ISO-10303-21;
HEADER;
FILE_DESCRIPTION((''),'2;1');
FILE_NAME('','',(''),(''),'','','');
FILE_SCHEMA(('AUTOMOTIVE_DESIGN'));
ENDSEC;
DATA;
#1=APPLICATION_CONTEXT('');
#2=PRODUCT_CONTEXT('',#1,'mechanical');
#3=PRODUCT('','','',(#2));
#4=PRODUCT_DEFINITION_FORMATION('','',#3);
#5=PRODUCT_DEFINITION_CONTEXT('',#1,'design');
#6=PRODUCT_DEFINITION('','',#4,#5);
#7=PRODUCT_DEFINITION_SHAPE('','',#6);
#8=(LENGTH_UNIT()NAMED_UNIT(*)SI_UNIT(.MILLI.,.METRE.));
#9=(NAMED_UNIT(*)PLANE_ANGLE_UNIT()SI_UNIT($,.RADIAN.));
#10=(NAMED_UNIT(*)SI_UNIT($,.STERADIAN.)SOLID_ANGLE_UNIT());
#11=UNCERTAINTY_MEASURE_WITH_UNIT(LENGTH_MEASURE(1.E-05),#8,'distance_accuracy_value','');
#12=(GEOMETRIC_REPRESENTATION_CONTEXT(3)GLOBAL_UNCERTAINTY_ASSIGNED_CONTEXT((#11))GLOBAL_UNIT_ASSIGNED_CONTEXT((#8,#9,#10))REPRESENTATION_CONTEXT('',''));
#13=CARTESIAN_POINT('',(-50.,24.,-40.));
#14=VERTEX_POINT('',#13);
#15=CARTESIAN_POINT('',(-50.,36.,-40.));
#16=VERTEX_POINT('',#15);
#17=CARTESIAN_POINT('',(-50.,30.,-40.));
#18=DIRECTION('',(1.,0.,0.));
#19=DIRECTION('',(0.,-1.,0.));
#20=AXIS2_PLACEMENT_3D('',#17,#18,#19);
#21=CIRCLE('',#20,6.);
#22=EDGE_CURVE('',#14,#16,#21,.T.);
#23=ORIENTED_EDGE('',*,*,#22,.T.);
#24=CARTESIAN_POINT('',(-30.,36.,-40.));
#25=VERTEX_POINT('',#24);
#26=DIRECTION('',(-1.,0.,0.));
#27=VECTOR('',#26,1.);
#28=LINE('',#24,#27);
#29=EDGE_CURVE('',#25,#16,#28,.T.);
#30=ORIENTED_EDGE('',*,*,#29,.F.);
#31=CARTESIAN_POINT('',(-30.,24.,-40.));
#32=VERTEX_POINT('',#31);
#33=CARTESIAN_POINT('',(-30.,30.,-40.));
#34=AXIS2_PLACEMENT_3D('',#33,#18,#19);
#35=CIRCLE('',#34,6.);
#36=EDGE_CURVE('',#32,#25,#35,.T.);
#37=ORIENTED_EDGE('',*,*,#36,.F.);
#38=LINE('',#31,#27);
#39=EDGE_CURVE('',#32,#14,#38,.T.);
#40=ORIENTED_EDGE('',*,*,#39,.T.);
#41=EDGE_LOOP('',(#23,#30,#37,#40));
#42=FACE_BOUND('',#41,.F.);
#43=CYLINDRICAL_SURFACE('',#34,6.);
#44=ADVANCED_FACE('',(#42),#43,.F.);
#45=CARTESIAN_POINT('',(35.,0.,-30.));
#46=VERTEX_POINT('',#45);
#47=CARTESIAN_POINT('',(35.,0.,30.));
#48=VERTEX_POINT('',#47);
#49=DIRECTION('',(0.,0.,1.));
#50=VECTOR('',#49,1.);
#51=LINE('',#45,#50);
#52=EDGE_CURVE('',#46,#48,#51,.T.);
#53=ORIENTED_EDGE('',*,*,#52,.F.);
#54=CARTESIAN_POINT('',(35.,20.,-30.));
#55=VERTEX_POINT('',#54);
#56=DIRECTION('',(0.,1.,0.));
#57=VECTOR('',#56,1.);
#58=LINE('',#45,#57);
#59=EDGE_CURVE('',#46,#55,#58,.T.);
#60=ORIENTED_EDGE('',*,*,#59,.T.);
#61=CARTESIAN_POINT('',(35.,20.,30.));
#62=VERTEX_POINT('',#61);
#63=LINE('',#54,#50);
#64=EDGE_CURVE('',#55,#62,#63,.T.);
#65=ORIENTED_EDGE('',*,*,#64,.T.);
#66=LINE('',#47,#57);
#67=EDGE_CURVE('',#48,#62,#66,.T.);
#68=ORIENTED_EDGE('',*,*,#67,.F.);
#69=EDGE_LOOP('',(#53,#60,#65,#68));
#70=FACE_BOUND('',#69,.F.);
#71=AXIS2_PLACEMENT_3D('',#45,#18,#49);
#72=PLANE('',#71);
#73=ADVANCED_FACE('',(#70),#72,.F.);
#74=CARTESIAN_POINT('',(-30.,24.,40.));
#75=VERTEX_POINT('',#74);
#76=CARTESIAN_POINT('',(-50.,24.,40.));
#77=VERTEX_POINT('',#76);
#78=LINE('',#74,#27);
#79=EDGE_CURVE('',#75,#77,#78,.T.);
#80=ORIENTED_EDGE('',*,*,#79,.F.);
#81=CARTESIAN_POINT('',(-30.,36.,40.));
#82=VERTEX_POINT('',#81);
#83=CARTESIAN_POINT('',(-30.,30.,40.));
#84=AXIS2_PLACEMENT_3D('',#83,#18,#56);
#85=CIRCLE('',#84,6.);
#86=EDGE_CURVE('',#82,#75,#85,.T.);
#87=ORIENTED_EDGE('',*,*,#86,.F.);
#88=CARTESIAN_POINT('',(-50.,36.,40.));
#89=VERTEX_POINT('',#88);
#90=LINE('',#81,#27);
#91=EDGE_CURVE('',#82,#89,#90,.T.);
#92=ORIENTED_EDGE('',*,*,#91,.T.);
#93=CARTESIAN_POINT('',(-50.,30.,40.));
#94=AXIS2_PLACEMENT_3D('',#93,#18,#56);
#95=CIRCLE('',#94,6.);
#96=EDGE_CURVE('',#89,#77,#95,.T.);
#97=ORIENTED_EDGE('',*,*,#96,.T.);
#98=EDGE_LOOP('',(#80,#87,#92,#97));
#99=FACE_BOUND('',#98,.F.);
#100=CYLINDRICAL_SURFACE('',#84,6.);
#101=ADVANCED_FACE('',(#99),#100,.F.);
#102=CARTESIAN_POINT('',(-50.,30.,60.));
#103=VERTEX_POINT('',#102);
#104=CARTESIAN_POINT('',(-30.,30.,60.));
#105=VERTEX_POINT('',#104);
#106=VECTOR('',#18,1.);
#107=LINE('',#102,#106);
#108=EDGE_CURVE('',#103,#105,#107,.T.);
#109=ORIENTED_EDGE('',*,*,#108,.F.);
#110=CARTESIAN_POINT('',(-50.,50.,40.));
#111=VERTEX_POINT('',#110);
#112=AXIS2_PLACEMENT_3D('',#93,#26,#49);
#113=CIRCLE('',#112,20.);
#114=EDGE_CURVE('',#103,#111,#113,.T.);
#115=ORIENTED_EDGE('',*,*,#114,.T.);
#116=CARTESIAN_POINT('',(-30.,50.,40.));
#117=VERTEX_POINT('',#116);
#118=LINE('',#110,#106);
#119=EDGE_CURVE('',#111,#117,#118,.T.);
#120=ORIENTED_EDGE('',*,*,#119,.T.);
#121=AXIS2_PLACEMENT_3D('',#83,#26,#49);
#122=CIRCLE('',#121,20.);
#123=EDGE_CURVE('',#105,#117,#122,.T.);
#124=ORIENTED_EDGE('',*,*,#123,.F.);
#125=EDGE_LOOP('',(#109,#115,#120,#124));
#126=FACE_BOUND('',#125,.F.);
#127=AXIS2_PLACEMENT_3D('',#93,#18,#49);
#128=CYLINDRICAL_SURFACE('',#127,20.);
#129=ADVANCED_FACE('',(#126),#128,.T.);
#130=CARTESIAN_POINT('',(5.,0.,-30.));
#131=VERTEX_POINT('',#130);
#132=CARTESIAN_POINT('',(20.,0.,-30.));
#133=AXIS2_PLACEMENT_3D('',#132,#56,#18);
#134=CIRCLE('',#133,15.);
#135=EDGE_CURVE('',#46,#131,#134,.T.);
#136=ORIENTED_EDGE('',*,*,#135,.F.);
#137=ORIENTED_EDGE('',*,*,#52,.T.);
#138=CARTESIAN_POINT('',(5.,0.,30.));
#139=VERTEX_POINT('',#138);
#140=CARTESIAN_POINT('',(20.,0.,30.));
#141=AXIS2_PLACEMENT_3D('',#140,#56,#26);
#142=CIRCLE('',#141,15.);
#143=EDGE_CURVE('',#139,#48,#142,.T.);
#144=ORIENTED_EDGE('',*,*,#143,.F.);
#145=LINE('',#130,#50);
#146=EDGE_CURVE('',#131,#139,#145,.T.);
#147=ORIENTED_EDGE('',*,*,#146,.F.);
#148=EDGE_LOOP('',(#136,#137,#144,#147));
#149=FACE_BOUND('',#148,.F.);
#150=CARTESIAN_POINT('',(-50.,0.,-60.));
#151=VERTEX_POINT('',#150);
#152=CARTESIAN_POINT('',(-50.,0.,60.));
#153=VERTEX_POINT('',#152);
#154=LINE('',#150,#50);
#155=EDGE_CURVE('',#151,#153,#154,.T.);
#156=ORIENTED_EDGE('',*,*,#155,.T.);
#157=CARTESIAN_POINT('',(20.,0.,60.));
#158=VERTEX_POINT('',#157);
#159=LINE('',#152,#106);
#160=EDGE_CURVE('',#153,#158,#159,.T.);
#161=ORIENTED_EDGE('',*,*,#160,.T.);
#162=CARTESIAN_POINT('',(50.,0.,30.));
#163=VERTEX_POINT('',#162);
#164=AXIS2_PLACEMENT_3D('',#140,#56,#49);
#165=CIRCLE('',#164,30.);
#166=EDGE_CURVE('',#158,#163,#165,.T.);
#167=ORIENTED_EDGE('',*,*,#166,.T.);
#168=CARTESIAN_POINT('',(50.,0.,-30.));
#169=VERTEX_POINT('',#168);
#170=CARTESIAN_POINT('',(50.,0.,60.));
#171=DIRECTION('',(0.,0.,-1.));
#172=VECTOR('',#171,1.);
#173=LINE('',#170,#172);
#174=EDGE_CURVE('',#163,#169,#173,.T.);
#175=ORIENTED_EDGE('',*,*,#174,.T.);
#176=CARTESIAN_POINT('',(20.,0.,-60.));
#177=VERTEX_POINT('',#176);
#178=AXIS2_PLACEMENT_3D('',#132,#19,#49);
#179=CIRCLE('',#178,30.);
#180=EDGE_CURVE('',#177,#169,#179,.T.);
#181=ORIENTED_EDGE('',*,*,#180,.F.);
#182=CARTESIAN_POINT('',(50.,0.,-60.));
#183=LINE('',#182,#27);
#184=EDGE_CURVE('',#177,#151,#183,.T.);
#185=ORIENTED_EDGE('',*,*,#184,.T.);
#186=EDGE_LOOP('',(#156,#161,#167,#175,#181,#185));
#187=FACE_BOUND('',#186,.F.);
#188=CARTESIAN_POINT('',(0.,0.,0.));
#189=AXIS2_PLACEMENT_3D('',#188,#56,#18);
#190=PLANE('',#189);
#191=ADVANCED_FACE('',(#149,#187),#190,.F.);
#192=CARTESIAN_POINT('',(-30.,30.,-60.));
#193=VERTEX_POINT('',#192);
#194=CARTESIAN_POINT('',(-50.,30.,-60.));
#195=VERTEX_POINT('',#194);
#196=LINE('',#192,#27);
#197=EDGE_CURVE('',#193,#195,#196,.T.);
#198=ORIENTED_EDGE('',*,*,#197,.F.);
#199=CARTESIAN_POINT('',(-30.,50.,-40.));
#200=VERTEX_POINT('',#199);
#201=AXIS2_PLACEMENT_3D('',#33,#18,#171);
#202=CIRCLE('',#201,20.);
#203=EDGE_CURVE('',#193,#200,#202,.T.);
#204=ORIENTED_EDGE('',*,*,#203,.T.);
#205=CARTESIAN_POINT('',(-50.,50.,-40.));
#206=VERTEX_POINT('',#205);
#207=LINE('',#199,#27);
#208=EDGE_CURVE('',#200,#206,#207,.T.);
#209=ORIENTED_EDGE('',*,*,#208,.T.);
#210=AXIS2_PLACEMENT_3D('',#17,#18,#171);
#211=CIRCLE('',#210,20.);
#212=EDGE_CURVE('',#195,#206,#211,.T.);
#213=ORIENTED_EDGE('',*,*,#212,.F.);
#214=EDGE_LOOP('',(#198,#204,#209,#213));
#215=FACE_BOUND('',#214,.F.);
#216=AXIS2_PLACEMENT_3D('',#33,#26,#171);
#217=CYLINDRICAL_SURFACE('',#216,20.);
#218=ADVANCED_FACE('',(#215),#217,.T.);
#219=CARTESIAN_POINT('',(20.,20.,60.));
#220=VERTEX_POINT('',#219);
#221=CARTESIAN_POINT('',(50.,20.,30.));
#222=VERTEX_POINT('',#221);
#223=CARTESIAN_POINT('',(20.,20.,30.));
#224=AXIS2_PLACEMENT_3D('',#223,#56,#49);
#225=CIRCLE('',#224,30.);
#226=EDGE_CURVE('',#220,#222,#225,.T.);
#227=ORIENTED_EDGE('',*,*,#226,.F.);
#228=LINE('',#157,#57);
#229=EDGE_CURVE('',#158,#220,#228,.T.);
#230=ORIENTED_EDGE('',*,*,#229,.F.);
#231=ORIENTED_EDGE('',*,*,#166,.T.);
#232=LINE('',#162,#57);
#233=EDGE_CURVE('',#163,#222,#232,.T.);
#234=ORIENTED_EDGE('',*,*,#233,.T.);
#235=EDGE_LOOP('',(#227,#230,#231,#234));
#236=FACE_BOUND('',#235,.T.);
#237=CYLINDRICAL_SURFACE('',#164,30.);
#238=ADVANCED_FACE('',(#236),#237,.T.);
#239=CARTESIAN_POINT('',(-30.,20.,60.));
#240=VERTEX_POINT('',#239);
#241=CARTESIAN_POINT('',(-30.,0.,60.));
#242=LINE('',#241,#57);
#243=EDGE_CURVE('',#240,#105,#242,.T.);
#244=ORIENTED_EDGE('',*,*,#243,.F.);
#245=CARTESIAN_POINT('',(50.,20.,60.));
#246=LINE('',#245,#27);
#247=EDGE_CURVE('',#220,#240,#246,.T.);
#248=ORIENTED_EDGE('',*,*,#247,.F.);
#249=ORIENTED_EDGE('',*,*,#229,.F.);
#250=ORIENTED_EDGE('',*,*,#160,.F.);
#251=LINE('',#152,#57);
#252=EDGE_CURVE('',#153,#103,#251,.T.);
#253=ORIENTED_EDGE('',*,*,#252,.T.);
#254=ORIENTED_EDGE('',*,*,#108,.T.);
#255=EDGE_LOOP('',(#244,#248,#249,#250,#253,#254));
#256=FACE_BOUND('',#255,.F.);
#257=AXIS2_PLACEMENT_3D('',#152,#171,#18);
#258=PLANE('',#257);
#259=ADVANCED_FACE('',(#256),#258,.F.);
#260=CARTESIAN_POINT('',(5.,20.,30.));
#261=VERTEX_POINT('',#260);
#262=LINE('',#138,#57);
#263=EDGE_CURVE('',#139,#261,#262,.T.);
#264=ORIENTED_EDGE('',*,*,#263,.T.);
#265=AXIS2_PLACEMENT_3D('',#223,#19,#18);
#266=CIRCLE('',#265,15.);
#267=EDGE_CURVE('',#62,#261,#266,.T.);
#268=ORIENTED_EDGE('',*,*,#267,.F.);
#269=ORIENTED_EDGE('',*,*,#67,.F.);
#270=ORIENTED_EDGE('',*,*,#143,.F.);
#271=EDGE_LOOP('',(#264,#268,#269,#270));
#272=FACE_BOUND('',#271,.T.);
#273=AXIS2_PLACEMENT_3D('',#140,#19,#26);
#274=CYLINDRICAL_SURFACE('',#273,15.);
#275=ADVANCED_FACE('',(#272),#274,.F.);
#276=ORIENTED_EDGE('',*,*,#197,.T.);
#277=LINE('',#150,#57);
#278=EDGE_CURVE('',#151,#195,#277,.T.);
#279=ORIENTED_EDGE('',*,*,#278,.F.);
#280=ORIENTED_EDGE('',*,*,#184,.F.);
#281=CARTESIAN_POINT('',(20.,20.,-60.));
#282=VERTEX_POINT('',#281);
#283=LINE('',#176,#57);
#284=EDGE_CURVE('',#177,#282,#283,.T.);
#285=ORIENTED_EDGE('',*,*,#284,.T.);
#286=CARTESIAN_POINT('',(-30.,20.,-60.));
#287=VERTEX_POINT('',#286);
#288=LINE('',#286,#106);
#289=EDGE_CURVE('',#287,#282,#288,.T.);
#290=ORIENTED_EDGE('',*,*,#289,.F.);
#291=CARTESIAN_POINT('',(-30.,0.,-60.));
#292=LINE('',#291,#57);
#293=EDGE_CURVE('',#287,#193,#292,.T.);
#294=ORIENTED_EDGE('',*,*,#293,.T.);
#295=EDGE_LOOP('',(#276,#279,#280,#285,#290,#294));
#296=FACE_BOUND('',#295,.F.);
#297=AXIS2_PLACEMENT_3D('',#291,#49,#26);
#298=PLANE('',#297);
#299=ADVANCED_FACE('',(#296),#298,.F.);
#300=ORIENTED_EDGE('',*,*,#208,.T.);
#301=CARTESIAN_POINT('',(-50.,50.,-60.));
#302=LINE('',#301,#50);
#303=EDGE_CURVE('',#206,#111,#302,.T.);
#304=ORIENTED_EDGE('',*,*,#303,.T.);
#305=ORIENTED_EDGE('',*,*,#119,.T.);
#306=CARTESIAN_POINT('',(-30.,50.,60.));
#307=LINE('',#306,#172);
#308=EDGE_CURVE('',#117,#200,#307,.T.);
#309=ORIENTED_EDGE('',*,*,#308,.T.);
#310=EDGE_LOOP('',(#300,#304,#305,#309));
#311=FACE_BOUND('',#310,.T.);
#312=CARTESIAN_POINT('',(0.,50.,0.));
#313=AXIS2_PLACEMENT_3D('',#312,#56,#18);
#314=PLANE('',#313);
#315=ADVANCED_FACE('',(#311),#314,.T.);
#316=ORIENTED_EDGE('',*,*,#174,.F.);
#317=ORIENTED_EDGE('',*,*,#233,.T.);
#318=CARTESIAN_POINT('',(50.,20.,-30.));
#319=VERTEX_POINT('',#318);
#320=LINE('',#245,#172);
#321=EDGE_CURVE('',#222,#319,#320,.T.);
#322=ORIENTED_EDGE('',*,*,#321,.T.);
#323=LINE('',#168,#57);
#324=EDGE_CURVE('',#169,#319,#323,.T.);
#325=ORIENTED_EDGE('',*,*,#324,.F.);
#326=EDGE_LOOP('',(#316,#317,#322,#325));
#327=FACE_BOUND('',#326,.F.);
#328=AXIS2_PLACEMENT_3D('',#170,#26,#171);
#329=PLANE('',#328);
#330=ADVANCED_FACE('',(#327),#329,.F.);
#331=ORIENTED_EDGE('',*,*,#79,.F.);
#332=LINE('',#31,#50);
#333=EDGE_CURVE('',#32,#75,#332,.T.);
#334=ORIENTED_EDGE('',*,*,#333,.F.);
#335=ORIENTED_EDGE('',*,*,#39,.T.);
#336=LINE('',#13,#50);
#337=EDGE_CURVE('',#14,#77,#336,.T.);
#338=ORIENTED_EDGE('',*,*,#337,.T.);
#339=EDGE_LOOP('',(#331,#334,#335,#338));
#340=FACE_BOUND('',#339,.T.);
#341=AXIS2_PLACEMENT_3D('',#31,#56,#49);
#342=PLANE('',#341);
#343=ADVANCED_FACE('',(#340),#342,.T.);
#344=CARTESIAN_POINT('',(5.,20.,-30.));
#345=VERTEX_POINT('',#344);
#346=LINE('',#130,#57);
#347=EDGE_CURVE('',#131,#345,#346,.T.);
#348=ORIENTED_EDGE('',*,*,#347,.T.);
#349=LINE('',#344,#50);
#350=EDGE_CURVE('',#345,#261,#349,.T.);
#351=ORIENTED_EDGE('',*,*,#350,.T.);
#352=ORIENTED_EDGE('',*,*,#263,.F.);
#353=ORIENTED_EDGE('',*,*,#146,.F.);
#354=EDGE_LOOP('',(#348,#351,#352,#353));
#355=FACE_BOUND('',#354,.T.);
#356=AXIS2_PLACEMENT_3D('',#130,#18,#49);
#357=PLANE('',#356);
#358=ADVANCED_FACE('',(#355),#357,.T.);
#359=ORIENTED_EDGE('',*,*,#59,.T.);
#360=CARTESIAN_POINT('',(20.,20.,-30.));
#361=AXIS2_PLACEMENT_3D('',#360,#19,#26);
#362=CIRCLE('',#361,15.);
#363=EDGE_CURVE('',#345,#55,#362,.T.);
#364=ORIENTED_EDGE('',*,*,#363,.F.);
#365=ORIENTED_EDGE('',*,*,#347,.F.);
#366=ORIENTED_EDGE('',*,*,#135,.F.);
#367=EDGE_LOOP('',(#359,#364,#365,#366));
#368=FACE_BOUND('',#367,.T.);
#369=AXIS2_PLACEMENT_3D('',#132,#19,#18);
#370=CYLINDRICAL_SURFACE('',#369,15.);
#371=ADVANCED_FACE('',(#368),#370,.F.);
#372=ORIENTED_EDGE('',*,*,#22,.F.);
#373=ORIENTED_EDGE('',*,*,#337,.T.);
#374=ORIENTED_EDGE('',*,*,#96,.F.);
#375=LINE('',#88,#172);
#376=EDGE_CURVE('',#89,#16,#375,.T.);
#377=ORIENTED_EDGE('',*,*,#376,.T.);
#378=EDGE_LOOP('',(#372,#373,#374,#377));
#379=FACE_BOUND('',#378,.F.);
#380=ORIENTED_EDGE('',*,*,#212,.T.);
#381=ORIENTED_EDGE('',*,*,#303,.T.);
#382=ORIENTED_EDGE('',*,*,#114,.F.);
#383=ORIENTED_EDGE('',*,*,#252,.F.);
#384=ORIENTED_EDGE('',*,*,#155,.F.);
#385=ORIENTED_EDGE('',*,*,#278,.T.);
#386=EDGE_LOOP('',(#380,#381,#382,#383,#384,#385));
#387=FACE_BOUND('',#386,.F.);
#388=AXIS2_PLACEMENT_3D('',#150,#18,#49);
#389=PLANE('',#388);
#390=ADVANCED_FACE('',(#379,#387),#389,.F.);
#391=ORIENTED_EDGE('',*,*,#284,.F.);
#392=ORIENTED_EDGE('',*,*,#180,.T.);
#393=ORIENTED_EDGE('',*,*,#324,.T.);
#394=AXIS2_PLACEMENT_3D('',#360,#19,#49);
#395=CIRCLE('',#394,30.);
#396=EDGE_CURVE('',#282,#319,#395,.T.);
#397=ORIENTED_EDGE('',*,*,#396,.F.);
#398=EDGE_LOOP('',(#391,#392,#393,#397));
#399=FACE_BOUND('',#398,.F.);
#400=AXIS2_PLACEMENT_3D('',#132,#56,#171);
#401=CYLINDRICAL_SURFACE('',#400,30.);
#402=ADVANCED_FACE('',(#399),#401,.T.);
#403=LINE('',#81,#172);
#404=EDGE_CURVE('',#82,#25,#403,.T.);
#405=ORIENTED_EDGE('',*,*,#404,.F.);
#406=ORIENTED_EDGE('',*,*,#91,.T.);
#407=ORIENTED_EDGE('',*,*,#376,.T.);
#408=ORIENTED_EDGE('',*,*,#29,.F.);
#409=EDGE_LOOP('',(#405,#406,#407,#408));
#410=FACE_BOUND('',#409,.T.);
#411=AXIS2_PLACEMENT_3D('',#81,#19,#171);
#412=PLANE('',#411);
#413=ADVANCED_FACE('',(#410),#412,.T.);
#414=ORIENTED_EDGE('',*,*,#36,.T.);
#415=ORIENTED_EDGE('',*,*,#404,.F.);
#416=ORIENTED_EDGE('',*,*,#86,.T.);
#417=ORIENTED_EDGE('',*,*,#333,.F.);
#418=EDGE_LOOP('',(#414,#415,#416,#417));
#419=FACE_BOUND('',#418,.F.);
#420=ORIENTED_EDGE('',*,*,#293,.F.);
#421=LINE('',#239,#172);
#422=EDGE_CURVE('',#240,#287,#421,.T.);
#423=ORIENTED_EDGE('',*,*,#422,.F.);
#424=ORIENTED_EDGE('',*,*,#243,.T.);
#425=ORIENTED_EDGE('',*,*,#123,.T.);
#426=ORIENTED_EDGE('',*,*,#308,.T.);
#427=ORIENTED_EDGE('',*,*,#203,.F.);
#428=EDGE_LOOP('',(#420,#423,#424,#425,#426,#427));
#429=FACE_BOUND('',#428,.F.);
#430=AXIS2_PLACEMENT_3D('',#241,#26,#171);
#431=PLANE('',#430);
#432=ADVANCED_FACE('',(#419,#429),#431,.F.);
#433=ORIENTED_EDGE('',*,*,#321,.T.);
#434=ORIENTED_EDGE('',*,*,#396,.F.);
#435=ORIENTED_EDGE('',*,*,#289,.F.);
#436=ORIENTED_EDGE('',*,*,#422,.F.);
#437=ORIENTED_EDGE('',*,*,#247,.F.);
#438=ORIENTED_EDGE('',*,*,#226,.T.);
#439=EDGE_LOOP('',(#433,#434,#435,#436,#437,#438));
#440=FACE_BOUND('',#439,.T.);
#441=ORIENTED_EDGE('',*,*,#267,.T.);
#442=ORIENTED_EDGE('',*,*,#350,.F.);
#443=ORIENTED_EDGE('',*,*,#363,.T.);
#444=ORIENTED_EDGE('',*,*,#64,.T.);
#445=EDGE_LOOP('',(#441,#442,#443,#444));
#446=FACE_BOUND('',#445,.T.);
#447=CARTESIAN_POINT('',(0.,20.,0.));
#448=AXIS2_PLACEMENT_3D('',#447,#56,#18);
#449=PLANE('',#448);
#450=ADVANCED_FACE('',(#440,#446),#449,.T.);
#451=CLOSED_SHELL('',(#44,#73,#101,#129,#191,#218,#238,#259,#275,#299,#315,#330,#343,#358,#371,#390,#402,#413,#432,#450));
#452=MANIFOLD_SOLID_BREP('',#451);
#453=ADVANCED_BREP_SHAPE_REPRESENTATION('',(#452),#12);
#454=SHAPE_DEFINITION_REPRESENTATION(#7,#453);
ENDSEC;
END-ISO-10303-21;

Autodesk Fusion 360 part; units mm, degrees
sketch "Sketch1" plane through (0, 0, 0) normal (0, 1, 0) x (1, 0, 0)
  line L0 (50, 60) -> (-50, 60)
  line L1 (-50, 60) -> (-50, -60)
  line L2 (-50, -60) -> (50, -60)
  line L3 (50, -60) -> (50, 60)
  line L4 (50, 60) -> (-50, -60) construction
  line L5 (-50, 60) -> (50, -60) construction
  line L6 (50, -60) -> (20, -60)
  line L7 (20, -60) -> (20, -30)
  line L8 (50, 60) -> (20, 60)
  line L9 (20, 60) -> (20, 30)
  line L10 (35, 30) -> (35, -30)
  line L11 (5, 30) -> (5, -30)
  arc A0 (35, 30) -> (5, 30) centre (20, 30) ccw
  arc A1 (5, -30) -> (35, -30) centre (20, -30) ccw
  line L12 (-50, -60) -> (-30, -60)
  line L13 (-30, -60) -> (-30, 60)
  line L14 (-30, 60) -> (-50, 60)
  dimension "d1" = 100
  dimension "d2" = 120
  dimension "d3" = 30
  dimension "d4" = 30
  dimension "d5" = 30
  dimension "d6" = 30
  dimension "d7" = 30
  dimension "d8" = 30
  dimension "d9" = 20
extrude "Extrude1" add sketch "Sketch1" along normal blind 20 contours L0 L2 L3 L6 L7 L8 L9 L10 A0 A1 | L0 L2 L7 L9 L11 A0 A1 L13
extrude "Extrude2" add sketch "Sketch1" along normal blind 50 contours L0 L1 L2 L12 L13 L14
sketch "Sketch2" plane through (-30, 0, 0) normal (1, 0, 0) x (0, 0, -1)
  line L0 (-60, 20) -> (60, 20)
  line L1 (60, 20) -> (60, 50)
  line L2 (60, 50) -> (-60, 50)
  line L3 (-60, 50) -> (-60, 20)
  line L4 (-40, 36) -> (-40, 30)
  line L5 (40, 36) -> (40, 30)
  line L6 (-40, 36) -> (40, 36)
  line L7 (40, 24) -> (-40, 24)
  arc A0 (-40, 36) -> (-40, 24) centre (-40, 30) ccw
  arc A1 (40, 24) -> (40, 36) centre (40, 30) ccw
  dimension "d16" = 12
  dimension "d19" = 12
extrude "Extrude3" cut sketch "Sketch2" against normal blind 20 contours L6 L7 A0 A1
fillet "Fillet1" radius 20 2 edges at (-40, 50, 60) (-40, 50, -60)
fillet "Fillet1" radius 30 2 edges at (50, 10, 60) (50, 10, -60)
